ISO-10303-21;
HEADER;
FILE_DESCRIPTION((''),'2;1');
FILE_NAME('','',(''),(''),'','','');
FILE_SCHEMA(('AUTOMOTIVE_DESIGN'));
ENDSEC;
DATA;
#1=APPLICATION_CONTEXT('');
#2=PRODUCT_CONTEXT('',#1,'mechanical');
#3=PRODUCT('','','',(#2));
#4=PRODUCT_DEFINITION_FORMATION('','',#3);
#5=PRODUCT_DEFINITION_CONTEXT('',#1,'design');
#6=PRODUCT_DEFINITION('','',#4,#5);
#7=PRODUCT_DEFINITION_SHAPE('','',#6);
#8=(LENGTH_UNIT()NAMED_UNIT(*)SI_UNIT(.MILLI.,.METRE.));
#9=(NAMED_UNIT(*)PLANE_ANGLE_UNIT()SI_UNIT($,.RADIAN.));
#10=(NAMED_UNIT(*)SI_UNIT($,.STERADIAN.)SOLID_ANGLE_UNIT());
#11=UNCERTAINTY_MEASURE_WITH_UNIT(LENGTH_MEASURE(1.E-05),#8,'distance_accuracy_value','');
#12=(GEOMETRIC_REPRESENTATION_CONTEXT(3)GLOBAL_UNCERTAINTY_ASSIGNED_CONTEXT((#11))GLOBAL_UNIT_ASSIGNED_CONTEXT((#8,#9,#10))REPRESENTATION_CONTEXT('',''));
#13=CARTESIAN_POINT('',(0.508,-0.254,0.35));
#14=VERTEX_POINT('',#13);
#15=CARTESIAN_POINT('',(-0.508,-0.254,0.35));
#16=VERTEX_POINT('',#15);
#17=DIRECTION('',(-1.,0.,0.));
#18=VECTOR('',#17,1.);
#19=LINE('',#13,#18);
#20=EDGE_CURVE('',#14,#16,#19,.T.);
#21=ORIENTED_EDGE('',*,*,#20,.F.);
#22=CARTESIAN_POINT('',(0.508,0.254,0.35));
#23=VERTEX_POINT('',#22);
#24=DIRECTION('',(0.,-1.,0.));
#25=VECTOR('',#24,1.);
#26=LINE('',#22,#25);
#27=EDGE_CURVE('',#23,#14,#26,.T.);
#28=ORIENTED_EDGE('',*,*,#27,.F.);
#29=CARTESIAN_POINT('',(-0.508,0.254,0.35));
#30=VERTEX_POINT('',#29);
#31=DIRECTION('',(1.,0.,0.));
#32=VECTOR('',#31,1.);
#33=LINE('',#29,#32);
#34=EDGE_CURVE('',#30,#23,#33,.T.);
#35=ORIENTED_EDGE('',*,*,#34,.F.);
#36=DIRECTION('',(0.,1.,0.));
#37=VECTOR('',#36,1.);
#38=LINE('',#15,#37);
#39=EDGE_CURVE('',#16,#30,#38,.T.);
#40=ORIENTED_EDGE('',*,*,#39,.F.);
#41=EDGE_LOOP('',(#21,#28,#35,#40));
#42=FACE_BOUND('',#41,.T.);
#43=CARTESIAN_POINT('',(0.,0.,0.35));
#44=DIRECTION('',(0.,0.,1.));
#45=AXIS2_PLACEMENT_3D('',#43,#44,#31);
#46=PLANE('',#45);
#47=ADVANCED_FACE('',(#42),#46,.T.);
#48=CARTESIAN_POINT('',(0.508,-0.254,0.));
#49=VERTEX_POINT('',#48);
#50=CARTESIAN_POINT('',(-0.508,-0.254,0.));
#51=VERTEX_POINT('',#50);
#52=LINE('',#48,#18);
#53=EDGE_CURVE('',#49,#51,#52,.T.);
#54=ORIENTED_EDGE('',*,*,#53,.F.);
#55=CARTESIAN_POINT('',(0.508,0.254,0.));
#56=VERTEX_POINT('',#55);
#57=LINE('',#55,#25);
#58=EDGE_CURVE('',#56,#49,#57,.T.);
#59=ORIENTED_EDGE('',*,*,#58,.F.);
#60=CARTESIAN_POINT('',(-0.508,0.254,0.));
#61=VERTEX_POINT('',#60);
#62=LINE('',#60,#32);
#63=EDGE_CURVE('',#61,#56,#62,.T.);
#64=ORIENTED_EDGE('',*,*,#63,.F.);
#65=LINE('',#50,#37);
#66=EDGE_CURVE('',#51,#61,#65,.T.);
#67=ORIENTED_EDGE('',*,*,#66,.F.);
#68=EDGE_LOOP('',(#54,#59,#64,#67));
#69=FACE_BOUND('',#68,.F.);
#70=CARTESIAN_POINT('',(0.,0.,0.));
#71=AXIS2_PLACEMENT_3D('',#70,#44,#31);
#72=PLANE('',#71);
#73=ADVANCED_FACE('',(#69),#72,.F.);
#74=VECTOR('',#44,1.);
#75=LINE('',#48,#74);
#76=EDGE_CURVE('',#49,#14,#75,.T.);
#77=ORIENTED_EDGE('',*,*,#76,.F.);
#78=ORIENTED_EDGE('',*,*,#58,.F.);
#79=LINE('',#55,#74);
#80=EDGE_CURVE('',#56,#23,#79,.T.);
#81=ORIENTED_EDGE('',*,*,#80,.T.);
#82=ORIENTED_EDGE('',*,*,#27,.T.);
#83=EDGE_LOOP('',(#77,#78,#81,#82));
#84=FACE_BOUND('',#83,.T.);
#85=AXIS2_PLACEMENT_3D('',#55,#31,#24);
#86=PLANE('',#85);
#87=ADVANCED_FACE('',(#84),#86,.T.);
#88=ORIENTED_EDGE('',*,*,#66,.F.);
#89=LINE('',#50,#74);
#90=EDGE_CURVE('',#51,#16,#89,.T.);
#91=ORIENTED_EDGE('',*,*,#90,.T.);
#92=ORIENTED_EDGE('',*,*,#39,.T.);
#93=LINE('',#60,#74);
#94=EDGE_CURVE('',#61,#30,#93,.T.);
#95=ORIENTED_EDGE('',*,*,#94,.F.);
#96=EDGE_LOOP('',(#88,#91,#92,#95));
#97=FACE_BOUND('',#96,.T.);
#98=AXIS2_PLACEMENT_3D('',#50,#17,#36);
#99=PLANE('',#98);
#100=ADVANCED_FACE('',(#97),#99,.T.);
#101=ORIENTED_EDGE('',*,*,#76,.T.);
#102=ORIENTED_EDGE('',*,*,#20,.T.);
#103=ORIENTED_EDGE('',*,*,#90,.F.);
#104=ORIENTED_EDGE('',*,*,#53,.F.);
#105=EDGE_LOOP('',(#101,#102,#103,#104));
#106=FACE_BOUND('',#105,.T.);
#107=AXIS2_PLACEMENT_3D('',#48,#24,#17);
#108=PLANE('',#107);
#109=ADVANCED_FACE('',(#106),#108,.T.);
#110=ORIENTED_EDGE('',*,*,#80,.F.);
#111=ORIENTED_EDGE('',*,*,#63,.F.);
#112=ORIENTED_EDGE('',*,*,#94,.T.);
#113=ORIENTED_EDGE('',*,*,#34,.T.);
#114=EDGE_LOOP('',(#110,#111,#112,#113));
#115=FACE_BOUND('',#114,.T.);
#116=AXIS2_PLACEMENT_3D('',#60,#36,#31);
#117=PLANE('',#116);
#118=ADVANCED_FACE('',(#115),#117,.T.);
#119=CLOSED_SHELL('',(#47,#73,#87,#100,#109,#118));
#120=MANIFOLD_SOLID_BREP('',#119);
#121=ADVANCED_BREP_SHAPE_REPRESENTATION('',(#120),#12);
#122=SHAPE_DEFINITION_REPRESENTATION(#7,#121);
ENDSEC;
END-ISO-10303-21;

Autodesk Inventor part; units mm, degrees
ref_plane "YZ Plane" through (0, 0, 0) normal (1, 0, 0) x (0, 1, 0)
ref_plane "XZ Plane" through (0, 0, 0) normal (0, 1, 0) x (-1, 0, 0)
ref_plane "XY Plane" through (0, 0, 0) normal (0, 0, 1) x (1, 0, 0)
sketch "R0402, 200K_57" plane through (0, 0, 0) normal (0, 0, 1) x (1, 0, 0)
  line L0 (0.508, -0.254) -> (-0.508, -0.254)
  line L1 (-0.508, -0.254) -> (-0.508, 0.254)
  line L2 (-0.508, 0.254) -> (0.508, 0.254)
  line L3 (0.508, 0.254) -> (0.508, -0.254)
extrude "Extrusion1" add sketch "R0402, 200K_57" along normal blind 0.35
properties part number "200K"
